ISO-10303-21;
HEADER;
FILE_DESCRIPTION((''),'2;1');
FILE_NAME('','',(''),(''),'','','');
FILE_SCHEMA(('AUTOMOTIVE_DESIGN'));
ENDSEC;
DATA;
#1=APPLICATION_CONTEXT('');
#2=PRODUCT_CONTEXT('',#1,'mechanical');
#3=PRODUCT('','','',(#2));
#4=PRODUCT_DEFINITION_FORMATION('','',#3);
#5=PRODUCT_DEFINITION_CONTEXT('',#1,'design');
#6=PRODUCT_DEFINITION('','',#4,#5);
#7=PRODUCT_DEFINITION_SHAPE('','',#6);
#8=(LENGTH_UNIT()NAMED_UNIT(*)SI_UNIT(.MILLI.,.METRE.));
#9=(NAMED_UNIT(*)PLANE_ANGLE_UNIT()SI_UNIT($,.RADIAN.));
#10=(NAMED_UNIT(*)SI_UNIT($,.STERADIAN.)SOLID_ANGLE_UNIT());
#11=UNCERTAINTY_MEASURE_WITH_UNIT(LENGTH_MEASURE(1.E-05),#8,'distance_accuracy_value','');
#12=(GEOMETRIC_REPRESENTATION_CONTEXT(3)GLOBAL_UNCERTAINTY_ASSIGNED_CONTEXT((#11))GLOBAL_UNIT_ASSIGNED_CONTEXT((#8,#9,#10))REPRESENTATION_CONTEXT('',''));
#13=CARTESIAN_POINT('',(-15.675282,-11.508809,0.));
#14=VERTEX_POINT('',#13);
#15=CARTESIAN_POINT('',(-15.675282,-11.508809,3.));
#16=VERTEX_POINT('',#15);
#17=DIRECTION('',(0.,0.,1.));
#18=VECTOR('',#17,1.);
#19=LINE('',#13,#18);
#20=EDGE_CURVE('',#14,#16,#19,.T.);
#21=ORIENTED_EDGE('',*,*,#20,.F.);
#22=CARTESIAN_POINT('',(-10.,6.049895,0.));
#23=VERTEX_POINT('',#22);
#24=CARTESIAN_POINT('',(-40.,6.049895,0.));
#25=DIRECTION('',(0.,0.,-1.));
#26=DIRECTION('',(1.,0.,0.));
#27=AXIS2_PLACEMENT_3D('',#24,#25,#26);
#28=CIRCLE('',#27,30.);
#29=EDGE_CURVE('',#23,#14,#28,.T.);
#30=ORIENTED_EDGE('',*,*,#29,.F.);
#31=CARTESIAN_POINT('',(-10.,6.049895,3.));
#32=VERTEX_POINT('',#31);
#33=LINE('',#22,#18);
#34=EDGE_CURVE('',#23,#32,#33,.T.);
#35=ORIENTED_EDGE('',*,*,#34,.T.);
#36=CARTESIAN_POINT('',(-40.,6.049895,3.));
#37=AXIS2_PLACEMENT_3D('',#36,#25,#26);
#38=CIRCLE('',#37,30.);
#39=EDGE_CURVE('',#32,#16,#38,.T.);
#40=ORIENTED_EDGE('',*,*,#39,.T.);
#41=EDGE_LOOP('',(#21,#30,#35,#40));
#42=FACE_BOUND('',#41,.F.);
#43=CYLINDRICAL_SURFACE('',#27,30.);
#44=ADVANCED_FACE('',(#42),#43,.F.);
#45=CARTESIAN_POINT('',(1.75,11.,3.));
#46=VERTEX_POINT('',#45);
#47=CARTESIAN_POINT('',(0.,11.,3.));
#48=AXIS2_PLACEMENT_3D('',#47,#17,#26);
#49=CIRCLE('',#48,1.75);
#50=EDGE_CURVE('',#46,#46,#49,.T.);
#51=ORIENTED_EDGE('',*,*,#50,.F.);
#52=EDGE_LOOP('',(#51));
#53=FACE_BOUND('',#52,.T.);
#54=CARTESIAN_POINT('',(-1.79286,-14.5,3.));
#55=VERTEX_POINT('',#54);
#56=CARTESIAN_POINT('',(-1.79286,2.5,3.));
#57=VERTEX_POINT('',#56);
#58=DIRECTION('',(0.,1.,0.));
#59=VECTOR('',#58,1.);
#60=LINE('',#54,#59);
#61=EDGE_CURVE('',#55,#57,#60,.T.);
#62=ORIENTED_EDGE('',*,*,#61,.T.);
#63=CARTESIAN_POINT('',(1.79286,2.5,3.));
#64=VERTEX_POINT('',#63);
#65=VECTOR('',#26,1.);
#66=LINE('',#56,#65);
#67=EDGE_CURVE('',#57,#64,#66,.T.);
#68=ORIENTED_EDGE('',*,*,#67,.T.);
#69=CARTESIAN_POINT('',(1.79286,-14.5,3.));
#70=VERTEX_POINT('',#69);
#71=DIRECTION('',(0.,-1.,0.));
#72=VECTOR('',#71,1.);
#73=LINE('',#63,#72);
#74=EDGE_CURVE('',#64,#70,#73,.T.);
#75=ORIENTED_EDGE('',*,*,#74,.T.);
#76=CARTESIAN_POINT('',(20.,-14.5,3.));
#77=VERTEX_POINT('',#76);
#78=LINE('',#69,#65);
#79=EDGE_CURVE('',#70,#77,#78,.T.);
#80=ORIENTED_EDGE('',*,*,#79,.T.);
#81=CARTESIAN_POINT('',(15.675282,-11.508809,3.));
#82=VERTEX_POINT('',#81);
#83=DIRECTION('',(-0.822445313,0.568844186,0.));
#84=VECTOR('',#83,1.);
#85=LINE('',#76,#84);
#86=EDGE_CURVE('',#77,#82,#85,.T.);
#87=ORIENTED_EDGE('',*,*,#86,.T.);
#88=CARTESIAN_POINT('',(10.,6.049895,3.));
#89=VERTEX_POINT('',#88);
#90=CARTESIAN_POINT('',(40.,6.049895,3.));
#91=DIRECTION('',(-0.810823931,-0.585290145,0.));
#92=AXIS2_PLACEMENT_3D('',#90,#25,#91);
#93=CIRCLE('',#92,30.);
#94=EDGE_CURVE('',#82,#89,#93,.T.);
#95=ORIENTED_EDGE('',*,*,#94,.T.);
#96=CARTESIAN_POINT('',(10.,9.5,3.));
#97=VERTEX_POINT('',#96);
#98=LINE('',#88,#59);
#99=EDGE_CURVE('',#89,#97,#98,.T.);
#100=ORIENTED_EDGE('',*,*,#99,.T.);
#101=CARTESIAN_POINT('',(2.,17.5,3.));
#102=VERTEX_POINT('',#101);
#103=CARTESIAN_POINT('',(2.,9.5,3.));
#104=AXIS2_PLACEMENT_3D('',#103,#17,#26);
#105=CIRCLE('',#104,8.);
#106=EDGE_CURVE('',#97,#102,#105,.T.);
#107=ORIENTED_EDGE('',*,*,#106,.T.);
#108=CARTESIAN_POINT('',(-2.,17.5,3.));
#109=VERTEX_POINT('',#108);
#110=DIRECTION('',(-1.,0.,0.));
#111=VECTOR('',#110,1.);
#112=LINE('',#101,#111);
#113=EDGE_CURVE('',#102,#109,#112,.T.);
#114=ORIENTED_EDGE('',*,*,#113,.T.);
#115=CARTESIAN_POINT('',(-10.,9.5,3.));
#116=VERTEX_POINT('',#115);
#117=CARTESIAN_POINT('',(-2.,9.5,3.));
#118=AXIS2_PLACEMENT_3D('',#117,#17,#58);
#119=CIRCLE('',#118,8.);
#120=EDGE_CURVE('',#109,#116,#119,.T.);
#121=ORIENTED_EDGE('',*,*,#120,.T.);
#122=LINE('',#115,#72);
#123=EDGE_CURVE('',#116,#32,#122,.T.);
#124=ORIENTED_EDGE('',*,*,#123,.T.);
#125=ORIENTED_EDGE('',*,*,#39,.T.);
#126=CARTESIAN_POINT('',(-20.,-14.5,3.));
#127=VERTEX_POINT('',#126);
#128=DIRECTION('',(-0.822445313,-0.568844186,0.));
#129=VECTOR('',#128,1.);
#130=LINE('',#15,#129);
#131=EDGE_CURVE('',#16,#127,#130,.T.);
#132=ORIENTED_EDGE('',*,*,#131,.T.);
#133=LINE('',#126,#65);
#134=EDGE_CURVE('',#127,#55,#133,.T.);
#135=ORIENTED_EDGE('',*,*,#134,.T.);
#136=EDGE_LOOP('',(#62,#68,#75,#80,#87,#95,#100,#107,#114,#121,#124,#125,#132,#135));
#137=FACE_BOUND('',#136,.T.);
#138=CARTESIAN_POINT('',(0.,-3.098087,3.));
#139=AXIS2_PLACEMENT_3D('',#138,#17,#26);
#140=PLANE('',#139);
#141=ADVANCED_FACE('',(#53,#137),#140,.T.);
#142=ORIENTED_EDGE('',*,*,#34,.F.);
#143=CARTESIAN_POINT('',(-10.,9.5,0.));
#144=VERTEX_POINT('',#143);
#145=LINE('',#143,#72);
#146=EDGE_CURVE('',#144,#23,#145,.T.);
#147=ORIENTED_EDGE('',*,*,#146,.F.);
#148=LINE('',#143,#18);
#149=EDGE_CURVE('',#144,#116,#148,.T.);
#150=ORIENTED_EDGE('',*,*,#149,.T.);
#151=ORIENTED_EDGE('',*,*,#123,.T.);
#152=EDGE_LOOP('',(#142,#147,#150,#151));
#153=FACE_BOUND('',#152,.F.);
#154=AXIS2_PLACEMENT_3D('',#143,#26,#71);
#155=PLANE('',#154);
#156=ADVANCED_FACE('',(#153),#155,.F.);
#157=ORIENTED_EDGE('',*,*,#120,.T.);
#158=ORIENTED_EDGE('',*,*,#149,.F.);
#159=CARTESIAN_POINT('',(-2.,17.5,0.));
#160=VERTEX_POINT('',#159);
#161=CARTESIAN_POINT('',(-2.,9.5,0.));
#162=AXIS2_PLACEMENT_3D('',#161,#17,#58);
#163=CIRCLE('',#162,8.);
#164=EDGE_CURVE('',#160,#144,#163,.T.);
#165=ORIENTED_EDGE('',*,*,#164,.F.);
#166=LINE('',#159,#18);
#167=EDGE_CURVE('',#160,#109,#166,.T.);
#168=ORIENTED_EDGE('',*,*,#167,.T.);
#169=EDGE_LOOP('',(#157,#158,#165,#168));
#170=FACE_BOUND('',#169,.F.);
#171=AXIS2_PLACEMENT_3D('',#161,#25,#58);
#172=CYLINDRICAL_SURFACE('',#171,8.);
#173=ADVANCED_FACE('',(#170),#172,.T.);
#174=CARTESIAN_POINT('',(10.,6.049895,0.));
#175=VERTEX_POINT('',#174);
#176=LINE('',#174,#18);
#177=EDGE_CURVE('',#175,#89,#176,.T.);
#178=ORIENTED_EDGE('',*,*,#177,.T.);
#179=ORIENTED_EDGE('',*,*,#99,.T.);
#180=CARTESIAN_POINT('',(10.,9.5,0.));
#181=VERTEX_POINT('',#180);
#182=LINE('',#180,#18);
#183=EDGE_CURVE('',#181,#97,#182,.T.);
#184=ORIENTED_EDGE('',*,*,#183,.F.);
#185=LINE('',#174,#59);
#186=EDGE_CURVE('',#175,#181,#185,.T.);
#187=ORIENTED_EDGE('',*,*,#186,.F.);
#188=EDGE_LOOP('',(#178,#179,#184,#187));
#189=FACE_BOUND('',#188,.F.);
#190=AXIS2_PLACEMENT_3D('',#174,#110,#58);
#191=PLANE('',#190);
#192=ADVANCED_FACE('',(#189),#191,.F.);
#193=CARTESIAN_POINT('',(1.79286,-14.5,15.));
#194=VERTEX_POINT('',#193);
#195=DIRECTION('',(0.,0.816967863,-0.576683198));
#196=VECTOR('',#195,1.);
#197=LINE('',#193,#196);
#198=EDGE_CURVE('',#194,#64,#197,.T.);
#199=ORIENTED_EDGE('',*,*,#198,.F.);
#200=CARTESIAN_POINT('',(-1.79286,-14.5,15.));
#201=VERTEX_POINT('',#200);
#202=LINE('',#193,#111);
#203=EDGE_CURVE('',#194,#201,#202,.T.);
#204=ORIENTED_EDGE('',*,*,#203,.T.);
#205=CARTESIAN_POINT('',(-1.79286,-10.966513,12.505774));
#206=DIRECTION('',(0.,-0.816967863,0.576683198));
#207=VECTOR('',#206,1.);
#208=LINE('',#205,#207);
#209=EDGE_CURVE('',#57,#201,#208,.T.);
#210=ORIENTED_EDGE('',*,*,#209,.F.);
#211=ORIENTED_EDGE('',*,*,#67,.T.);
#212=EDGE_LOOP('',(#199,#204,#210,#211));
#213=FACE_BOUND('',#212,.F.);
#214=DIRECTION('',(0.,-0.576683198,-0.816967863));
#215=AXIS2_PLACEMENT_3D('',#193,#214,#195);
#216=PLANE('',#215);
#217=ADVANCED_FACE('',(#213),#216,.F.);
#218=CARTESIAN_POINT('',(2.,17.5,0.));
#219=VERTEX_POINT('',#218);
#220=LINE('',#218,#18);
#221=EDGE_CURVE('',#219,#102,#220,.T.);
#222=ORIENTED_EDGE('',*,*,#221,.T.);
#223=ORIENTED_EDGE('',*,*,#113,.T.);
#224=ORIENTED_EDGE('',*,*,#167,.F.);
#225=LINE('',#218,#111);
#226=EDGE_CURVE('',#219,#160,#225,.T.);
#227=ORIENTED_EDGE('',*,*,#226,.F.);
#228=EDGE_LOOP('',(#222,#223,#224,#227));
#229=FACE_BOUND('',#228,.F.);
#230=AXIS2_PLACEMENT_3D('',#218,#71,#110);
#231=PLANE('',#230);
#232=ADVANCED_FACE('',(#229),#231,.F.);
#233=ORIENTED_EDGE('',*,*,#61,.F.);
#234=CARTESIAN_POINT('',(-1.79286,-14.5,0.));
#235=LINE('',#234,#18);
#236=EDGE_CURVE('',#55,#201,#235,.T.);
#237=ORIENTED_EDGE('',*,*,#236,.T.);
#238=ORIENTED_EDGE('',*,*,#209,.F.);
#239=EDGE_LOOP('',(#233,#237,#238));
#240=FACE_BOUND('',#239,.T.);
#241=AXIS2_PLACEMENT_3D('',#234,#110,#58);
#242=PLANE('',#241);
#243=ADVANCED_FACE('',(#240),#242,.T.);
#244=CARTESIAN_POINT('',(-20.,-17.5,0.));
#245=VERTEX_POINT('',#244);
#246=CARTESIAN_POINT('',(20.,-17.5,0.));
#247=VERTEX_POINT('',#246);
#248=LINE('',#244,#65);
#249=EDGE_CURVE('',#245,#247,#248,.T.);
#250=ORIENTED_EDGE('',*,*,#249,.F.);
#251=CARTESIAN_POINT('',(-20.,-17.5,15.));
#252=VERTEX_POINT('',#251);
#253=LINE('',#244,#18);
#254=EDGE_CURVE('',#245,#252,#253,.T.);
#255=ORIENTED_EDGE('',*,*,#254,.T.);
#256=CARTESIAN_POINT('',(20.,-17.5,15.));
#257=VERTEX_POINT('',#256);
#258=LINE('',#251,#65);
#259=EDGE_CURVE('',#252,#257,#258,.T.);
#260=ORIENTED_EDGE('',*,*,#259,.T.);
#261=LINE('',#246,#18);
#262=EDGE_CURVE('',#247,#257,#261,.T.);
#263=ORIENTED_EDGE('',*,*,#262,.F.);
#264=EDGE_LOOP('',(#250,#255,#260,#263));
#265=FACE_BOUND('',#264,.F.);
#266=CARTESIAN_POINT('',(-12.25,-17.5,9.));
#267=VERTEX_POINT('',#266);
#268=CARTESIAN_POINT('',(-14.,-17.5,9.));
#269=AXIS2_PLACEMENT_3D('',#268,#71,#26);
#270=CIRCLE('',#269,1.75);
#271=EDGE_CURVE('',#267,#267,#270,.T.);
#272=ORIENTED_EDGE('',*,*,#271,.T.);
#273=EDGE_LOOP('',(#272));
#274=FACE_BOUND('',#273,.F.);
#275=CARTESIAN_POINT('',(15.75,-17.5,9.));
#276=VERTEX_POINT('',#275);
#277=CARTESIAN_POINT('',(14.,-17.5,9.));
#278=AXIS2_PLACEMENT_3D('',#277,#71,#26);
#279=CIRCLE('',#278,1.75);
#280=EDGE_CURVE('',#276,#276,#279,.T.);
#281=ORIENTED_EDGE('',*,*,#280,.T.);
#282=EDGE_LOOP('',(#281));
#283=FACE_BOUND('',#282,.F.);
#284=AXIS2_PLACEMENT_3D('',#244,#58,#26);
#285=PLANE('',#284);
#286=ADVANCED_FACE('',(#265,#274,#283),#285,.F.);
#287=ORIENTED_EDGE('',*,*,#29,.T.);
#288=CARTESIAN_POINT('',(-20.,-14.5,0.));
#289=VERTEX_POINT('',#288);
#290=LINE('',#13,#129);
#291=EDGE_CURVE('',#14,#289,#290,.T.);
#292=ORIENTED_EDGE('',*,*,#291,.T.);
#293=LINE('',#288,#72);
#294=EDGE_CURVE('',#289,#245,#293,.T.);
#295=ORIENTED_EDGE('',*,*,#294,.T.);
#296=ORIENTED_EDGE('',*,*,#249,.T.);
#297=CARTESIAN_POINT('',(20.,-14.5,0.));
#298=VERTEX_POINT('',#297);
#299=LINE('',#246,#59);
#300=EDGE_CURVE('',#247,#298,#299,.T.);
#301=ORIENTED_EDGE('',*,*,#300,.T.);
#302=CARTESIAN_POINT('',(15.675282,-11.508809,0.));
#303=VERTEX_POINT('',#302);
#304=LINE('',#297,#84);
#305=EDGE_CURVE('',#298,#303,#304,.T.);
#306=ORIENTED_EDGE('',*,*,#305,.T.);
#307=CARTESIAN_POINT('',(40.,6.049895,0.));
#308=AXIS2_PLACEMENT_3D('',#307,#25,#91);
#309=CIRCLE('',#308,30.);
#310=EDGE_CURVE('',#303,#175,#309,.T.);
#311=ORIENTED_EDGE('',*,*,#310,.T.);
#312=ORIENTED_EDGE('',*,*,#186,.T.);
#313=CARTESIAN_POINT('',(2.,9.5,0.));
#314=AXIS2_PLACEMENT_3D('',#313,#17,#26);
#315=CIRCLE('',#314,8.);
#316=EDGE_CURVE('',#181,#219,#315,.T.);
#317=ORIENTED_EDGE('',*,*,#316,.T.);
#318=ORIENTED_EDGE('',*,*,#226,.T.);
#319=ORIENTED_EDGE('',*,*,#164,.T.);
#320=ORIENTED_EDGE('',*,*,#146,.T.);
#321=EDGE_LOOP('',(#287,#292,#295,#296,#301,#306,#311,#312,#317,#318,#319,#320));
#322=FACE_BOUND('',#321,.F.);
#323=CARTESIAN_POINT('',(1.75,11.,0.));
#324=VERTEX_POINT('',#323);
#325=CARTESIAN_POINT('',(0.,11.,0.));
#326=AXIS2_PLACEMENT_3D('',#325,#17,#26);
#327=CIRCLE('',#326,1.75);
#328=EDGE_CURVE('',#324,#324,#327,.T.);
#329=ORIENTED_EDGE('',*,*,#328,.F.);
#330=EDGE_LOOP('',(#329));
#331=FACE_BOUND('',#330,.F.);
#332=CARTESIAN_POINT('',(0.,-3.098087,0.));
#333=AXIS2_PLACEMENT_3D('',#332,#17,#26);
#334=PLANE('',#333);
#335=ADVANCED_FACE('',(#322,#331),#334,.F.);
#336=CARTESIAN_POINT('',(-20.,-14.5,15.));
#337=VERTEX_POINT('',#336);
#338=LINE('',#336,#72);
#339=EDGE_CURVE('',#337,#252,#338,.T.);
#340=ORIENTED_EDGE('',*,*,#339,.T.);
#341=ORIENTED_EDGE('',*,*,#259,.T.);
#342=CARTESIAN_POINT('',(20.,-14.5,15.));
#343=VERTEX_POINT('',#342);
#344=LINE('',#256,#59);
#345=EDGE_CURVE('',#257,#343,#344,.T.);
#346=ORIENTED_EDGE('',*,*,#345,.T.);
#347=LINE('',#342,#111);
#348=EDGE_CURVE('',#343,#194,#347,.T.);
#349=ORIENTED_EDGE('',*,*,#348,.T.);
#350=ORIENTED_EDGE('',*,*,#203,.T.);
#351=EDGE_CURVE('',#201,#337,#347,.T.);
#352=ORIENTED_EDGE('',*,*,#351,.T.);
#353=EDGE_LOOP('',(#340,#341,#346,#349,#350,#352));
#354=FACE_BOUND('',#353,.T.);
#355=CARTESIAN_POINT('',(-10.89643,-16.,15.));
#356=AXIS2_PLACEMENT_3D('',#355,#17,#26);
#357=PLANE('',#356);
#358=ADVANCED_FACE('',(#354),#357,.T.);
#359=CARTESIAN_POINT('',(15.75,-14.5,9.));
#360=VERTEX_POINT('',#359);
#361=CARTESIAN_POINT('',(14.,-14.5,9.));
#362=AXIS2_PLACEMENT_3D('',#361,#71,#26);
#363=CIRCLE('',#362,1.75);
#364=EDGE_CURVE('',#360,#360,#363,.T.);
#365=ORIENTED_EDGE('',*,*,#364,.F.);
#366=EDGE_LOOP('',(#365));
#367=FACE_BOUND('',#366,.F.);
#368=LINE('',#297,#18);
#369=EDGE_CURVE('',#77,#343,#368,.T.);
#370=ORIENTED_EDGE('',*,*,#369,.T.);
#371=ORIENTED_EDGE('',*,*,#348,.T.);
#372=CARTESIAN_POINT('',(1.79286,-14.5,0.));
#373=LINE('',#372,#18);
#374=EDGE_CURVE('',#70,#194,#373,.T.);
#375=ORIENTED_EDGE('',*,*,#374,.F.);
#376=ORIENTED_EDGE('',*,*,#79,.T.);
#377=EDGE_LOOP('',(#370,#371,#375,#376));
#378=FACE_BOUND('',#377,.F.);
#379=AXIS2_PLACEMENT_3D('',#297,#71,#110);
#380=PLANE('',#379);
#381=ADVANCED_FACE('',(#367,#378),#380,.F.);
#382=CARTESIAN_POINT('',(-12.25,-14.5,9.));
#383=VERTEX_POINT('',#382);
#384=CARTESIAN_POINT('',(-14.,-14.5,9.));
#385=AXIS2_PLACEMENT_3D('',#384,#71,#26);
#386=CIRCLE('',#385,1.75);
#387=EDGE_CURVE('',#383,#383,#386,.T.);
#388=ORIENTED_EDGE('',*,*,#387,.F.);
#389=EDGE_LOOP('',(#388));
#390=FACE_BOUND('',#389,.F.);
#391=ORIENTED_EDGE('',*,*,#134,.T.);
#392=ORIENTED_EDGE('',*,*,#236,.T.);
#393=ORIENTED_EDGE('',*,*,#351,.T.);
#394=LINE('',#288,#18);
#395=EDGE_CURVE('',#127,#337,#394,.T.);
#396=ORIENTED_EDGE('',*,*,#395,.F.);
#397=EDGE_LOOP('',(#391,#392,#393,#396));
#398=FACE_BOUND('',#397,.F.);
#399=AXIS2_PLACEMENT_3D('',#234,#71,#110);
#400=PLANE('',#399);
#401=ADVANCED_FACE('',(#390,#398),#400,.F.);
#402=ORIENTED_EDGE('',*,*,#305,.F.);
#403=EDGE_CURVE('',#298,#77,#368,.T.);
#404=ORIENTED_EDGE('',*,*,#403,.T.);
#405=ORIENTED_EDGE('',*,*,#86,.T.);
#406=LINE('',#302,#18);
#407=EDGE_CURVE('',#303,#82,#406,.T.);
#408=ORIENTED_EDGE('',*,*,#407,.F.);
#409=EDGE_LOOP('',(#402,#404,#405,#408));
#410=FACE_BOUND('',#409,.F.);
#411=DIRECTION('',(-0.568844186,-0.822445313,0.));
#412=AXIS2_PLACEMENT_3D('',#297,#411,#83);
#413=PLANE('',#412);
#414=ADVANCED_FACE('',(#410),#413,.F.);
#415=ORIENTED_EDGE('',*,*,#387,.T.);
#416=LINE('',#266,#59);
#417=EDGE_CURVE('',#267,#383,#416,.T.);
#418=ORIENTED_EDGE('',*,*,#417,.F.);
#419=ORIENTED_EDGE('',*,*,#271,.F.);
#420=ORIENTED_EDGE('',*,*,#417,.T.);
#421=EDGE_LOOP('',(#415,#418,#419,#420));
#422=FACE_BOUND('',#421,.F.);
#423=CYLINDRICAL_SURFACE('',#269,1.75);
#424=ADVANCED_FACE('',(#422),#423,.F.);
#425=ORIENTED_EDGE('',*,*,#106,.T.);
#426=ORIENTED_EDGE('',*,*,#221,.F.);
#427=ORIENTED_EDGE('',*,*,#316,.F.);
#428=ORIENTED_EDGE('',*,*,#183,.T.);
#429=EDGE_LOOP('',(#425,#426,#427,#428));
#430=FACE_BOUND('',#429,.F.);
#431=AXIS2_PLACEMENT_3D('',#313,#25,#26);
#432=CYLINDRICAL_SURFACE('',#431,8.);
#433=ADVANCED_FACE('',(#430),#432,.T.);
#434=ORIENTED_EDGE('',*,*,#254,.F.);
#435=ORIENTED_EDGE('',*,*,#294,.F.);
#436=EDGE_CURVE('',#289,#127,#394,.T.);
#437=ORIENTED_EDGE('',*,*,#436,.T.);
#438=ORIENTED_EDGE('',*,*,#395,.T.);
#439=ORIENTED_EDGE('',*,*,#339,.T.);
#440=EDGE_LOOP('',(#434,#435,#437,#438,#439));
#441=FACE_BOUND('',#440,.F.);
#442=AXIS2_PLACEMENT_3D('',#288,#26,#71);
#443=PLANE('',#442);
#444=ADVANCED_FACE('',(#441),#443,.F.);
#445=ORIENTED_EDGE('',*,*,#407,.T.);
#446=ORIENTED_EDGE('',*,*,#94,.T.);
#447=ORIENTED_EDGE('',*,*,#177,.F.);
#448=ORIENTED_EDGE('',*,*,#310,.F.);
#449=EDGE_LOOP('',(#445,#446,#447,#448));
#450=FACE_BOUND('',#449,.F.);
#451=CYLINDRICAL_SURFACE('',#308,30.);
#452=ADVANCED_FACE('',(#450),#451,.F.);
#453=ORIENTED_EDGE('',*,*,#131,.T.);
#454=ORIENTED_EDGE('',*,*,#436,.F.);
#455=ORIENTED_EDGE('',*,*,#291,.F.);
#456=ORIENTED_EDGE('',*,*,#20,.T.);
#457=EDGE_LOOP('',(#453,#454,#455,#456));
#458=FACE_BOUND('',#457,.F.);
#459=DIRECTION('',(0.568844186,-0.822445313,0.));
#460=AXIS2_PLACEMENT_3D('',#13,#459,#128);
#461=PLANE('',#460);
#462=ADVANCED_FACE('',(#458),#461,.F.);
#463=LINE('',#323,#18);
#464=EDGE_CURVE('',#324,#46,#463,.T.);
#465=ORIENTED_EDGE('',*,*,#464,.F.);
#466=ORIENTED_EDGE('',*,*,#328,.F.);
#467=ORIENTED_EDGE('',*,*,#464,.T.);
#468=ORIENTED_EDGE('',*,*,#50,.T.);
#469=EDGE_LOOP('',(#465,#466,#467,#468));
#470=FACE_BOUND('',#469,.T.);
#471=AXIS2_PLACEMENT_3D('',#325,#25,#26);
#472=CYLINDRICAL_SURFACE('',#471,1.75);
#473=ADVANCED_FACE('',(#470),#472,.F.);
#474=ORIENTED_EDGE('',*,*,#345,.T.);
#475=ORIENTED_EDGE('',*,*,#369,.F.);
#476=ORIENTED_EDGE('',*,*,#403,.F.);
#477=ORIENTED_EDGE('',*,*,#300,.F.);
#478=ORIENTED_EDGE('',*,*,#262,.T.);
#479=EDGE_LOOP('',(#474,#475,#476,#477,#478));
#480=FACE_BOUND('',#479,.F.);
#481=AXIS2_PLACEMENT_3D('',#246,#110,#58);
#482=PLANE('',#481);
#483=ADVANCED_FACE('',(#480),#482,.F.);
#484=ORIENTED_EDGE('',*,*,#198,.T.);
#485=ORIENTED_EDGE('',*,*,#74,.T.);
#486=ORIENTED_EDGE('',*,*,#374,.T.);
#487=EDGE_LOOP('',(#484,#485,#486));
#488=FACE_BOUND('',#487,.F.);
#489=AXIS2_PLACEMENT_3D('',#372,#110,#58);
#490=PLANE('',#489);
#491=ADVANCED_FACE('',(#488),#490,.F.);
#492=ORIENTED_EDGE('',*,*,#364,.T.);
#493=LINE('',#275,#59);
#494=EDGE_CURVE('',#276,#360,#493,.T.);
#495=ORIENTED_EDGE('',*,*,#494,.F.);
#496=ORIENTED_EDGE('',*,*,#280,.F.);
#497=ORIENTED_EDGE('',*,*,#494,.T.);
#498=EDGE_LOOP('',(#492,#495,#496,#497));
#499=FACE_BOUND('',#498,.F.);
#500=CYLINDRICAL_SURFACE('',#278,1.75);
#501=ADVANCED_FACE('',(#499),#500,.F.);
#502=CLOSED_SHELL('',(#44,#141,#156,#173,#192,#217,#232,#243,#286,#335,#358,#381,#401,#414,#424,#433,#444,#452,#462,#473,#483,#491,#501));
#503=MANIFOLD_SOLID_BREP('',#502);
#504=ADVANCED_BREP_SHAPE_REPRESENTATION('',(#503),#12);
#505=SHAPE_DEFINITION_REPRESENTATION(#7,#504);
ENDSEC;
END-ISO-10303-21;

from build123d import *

# Parameters (mm, degrees)
F0_W     = 3.5857191042
F0_H     = 3
F0_H_2   = 17
F1_DEPTH = 15
F0_R     = 1.75
F2_DEPTH = 3
F4_DEPTH = 25
F5_R     = 1.75
F6_DEPTH = 25


with BuildPart() as f1:
    # F0 (on Top) → F1 (new body)
    with BuildSketch(Plane.XY):
        Polygon((-1.7928595521, -14.5), (-20, -14.5), (-20, -17.5), (-10, -17.5), (-1.7928595521, -17.5), align=None)
        with Locations((0, -16)):
            Rectangle(F0_W, F0_H)
        Polygon((20, -17.5), (20, -14.5), (1.7928595521, -14.5), (1.7928595521, -17.5), (10, -17.5), align=None)
        with Locations((0, -6)):
            Rectangle(F0_W, F0_H_2)
    extrude(amount=F1_DEPTH)

    # F0 (on Top) → F2 (join)
    with BuildSketch(Plane.XY):
        with BuildLine():
            ThreePointArc((10, 9.5), (7.6568542495, 15.1568542495), (2, 17.5))
            Line((2, 17.5), (-2, 17.5))
            ThreePointArc((-2, 17.5), (-7.6568542495, 15.1568542495), (-10, 9.5))
            Line((-10, 9.5), (-10, 6.0498948877))
            ThreePointArc((-10, 6.0498948877), (-11.4540586287, -3.1766554549), (-15.6752820816, -11.508809455))
            Line((-15.6752820816, -11.508809455), (-20, -14.5))
            Line((-20, -14.5), (-1.7928595521, -14.5))
            Line((-1.7928595521, -14.5), (-1.7928595521, 2.5))
            Line((-1.7928595521, 2.5), (1.7928595521, 2.5))
            Line((1.7928595521, 2.5), (1.7928595521, -14.5))
            Line((1.7928595521, -14.5), (20, -14.5))
            Line((20, -14.5), (15.6752820816, -11.508809455))
            ThreePointArc((15.6752820816, -11.508809455), (11.4540586287, -3.1766554549), (10, 6.0498948877))
            Line((10, 6.0498948877), (10, 9.5))
        make_face()
        with Locations((0, 11)):
            Circle(F0_R, mode=Mode.SUBTRACT)
    extrude(amount=F2_DEPTH)

    # F3 (on face) → F4 (cut)
    with BuildSketch(Plane.YZ.offset(1.7928595521)):
        Polygon((2.5, 15), (-14.5, 15), (2.5, 3), align=None)
    extrude(amount=-F4_DEPTH, mode=Mode.SUBTRACT)

    # F5 (on face) → F6 (cut)
    with BuildSketch(Plane.XZ.offset(17.5)):
        with Locations((14, 9)):
            Circle(F5_R)
        with Locations((-14, 9)):
            Circle(F5_R)
    extrude(amount=-F6_DEPTH, mode=Mode.SUBTRACT)


solid = f1.part
